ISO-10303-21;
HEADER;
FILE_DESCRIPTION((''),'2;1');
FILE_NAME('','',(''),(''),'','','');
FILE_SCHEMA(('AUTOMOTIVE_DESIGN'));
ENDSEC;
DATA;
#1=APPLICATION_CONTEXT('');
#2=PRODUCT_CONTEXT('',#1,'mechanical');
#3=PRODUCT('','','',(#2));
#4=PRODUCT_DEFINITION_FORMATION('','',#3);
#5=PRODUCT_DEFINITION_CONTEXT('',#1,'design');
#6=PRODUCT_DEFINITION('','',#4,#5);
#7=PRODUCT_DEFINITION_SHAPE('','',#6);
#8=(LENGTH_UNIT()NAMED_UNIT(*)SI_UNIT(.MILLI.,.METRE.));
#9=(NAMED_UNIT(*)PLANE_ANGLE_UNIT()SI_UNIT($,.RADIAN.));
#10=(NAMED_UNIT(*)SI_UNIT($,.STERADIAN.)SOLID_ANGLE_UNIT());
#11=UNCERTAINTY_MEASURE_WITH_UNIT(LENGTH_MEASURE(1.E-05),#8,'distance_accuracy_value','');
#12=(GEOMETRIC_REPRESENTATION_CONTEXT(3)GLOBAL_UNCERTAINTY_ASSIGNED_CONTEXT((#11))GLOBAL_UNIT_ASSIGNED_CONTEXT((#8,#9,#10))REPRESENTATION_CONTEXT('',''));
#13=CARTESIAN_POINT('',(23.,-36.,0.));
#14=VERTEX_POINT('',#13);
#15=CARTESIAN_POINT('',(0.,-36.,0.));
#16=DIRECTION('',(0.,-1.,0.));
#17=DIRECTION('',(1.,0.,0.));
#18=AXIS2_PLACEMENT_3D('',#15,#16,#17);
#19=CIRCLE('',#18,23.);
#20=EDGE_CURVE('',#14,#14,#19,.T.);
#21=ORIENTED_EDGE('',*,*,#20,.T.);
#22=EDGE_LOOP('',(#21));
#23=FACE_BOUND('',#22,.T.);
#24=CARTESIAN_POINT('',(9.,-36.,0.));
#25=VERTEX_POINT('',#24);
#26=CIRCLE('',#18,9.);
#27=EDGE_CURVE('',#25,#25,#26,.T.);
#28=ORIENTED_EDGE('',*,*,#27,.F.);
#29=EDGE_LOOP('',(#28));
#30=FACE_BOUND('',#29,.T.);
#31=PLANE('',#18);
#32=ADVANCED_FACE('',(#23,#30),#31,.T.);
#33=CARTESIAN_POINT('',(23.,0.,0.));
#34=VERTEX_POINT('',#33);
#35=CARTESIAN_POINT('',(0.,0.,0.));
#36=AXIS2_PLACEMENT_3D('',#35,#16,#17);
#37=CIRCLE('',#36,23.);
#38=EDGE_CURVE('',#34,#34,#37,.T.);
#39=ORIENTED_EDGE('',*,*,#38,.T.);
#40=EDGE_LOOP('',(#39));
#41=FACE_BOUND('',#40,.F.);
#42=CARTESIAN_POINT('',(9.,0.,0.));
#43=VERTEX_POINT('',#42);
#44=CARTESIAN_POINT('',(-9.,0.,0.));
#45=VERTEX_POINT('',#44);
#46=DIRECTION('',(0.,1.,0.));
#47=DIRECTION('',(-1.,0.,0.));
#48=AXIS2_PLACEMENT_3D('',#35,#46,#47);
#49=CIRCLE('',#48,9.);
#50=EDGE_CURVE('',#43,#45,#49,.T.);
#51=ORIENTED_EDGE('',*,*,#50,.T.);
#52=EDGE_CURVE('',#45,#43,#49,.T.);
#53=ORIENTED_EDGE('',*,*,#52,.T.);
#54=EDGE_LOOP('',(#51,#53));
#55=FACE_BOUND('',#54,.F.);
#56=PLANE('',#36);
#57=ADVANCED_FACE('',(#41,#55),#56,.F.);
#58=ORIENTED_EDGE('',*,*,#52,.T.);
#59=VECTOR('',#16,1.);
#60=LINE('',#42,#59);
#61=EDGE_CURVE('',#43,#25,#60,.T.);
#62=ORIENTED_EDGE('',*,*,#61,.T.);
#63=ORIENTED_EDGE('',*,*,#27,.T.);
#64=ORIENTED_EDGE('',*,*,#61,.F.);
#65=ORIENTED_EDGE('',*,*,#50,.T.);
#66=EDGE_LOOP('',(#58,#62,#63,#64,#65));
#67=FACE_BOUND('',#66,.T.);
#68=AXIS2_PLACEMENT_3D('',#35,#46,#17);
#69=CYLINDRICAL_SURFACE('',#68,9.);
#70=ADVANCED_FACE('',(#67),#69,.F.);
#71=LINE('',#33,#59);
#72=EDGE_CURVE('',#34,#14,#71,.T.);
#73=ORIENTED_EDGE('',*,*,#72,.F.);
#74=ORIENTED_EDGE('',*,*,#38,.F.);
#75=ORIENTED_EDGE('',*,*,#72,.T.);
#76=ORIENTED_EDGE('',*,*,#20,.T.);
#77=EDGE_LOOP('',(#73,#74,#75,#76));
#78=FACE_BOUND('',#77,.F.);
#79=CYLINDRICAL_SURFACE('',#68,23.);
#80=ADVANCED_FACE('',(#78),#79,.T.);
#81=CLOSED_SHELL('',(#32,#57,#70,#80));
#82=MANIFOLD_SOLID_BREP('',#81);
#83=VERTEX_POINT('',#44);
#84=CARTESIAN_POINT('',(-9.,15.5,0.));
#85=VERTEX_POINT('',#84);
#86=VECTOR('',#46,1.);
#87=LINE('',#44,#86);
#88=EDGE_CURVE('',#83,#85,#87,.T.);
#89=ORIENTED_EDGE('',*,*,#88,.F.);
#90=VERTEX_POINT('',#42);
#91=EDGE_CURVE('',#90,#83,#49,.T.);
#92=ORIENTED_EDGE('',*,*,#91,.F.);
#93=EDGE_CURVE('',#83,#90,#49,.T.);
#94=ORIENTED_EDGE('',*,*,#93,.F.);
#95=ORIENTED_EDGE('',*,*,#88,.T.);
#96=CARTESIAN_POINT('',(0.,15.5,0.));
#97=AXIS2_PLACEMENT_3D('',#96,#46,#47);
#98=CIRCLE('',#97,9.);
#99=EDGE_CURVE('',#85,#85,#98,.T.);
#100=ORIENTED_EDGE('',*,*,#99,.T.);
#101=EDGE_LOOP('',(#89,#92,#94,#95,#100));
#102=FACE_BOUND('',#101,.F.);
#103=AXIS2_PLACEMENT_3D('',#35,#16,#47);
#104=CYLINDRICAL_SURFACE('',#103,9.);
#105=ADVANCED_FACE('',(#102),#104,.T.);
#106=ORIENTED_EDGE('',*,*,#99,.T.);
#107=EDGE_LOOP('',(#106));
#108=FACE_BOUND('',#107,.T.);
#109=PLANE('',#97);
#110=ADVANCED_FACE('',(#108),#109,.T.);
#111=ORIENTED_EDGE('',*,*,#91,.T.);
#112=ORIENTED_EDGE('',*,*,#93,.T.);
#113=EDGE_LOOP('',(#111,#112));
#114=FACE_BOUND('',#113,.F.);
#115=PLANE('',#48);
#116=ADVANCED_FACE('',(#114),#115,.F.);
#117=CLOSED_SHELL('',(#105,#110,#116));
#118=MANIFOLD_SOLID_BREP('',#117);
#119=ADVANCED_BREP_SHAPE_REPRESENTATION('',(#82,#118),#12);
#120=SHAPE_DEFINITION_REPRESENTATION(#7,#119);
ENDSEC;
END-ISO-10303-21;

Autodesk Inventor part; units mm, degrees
ref_plane "YZ Plane" through (0, 0, 0) normal (1, 0, 0) x (0, 1, 0)
ref_plane "XZ Plane" through (0, 0, 0) normal (0, 1, 0) x (-1, 0, 0)
ref_plane "XY Plane" through (0, 0, 0) normal (0, 0, 1) x (1, 0, 0)
sketch "Sketch1" plane through (0, 0, 0) normal (0, 1, 0) x (-1, 0, 0)
  circle A0 centre (0, 0) radius 9
  dimension "d0" = 18
extrude "Extrusion1" add sketch "Sketch1" along normal blind 15.5
sketch "Sketch2" plane through (0, 0, 0) normal (0, -1, 0) x (1, 0, 0)
  circle A0 centre (0, 0) radius 9 projected
  circle A1 centre (0, 0) radius 23
  dimension "d3" = 46
extrude "Extrusion2" add sketch "Sketch2" along normal blind 36
properties part number "ModeloSimplificadoVentosa"
